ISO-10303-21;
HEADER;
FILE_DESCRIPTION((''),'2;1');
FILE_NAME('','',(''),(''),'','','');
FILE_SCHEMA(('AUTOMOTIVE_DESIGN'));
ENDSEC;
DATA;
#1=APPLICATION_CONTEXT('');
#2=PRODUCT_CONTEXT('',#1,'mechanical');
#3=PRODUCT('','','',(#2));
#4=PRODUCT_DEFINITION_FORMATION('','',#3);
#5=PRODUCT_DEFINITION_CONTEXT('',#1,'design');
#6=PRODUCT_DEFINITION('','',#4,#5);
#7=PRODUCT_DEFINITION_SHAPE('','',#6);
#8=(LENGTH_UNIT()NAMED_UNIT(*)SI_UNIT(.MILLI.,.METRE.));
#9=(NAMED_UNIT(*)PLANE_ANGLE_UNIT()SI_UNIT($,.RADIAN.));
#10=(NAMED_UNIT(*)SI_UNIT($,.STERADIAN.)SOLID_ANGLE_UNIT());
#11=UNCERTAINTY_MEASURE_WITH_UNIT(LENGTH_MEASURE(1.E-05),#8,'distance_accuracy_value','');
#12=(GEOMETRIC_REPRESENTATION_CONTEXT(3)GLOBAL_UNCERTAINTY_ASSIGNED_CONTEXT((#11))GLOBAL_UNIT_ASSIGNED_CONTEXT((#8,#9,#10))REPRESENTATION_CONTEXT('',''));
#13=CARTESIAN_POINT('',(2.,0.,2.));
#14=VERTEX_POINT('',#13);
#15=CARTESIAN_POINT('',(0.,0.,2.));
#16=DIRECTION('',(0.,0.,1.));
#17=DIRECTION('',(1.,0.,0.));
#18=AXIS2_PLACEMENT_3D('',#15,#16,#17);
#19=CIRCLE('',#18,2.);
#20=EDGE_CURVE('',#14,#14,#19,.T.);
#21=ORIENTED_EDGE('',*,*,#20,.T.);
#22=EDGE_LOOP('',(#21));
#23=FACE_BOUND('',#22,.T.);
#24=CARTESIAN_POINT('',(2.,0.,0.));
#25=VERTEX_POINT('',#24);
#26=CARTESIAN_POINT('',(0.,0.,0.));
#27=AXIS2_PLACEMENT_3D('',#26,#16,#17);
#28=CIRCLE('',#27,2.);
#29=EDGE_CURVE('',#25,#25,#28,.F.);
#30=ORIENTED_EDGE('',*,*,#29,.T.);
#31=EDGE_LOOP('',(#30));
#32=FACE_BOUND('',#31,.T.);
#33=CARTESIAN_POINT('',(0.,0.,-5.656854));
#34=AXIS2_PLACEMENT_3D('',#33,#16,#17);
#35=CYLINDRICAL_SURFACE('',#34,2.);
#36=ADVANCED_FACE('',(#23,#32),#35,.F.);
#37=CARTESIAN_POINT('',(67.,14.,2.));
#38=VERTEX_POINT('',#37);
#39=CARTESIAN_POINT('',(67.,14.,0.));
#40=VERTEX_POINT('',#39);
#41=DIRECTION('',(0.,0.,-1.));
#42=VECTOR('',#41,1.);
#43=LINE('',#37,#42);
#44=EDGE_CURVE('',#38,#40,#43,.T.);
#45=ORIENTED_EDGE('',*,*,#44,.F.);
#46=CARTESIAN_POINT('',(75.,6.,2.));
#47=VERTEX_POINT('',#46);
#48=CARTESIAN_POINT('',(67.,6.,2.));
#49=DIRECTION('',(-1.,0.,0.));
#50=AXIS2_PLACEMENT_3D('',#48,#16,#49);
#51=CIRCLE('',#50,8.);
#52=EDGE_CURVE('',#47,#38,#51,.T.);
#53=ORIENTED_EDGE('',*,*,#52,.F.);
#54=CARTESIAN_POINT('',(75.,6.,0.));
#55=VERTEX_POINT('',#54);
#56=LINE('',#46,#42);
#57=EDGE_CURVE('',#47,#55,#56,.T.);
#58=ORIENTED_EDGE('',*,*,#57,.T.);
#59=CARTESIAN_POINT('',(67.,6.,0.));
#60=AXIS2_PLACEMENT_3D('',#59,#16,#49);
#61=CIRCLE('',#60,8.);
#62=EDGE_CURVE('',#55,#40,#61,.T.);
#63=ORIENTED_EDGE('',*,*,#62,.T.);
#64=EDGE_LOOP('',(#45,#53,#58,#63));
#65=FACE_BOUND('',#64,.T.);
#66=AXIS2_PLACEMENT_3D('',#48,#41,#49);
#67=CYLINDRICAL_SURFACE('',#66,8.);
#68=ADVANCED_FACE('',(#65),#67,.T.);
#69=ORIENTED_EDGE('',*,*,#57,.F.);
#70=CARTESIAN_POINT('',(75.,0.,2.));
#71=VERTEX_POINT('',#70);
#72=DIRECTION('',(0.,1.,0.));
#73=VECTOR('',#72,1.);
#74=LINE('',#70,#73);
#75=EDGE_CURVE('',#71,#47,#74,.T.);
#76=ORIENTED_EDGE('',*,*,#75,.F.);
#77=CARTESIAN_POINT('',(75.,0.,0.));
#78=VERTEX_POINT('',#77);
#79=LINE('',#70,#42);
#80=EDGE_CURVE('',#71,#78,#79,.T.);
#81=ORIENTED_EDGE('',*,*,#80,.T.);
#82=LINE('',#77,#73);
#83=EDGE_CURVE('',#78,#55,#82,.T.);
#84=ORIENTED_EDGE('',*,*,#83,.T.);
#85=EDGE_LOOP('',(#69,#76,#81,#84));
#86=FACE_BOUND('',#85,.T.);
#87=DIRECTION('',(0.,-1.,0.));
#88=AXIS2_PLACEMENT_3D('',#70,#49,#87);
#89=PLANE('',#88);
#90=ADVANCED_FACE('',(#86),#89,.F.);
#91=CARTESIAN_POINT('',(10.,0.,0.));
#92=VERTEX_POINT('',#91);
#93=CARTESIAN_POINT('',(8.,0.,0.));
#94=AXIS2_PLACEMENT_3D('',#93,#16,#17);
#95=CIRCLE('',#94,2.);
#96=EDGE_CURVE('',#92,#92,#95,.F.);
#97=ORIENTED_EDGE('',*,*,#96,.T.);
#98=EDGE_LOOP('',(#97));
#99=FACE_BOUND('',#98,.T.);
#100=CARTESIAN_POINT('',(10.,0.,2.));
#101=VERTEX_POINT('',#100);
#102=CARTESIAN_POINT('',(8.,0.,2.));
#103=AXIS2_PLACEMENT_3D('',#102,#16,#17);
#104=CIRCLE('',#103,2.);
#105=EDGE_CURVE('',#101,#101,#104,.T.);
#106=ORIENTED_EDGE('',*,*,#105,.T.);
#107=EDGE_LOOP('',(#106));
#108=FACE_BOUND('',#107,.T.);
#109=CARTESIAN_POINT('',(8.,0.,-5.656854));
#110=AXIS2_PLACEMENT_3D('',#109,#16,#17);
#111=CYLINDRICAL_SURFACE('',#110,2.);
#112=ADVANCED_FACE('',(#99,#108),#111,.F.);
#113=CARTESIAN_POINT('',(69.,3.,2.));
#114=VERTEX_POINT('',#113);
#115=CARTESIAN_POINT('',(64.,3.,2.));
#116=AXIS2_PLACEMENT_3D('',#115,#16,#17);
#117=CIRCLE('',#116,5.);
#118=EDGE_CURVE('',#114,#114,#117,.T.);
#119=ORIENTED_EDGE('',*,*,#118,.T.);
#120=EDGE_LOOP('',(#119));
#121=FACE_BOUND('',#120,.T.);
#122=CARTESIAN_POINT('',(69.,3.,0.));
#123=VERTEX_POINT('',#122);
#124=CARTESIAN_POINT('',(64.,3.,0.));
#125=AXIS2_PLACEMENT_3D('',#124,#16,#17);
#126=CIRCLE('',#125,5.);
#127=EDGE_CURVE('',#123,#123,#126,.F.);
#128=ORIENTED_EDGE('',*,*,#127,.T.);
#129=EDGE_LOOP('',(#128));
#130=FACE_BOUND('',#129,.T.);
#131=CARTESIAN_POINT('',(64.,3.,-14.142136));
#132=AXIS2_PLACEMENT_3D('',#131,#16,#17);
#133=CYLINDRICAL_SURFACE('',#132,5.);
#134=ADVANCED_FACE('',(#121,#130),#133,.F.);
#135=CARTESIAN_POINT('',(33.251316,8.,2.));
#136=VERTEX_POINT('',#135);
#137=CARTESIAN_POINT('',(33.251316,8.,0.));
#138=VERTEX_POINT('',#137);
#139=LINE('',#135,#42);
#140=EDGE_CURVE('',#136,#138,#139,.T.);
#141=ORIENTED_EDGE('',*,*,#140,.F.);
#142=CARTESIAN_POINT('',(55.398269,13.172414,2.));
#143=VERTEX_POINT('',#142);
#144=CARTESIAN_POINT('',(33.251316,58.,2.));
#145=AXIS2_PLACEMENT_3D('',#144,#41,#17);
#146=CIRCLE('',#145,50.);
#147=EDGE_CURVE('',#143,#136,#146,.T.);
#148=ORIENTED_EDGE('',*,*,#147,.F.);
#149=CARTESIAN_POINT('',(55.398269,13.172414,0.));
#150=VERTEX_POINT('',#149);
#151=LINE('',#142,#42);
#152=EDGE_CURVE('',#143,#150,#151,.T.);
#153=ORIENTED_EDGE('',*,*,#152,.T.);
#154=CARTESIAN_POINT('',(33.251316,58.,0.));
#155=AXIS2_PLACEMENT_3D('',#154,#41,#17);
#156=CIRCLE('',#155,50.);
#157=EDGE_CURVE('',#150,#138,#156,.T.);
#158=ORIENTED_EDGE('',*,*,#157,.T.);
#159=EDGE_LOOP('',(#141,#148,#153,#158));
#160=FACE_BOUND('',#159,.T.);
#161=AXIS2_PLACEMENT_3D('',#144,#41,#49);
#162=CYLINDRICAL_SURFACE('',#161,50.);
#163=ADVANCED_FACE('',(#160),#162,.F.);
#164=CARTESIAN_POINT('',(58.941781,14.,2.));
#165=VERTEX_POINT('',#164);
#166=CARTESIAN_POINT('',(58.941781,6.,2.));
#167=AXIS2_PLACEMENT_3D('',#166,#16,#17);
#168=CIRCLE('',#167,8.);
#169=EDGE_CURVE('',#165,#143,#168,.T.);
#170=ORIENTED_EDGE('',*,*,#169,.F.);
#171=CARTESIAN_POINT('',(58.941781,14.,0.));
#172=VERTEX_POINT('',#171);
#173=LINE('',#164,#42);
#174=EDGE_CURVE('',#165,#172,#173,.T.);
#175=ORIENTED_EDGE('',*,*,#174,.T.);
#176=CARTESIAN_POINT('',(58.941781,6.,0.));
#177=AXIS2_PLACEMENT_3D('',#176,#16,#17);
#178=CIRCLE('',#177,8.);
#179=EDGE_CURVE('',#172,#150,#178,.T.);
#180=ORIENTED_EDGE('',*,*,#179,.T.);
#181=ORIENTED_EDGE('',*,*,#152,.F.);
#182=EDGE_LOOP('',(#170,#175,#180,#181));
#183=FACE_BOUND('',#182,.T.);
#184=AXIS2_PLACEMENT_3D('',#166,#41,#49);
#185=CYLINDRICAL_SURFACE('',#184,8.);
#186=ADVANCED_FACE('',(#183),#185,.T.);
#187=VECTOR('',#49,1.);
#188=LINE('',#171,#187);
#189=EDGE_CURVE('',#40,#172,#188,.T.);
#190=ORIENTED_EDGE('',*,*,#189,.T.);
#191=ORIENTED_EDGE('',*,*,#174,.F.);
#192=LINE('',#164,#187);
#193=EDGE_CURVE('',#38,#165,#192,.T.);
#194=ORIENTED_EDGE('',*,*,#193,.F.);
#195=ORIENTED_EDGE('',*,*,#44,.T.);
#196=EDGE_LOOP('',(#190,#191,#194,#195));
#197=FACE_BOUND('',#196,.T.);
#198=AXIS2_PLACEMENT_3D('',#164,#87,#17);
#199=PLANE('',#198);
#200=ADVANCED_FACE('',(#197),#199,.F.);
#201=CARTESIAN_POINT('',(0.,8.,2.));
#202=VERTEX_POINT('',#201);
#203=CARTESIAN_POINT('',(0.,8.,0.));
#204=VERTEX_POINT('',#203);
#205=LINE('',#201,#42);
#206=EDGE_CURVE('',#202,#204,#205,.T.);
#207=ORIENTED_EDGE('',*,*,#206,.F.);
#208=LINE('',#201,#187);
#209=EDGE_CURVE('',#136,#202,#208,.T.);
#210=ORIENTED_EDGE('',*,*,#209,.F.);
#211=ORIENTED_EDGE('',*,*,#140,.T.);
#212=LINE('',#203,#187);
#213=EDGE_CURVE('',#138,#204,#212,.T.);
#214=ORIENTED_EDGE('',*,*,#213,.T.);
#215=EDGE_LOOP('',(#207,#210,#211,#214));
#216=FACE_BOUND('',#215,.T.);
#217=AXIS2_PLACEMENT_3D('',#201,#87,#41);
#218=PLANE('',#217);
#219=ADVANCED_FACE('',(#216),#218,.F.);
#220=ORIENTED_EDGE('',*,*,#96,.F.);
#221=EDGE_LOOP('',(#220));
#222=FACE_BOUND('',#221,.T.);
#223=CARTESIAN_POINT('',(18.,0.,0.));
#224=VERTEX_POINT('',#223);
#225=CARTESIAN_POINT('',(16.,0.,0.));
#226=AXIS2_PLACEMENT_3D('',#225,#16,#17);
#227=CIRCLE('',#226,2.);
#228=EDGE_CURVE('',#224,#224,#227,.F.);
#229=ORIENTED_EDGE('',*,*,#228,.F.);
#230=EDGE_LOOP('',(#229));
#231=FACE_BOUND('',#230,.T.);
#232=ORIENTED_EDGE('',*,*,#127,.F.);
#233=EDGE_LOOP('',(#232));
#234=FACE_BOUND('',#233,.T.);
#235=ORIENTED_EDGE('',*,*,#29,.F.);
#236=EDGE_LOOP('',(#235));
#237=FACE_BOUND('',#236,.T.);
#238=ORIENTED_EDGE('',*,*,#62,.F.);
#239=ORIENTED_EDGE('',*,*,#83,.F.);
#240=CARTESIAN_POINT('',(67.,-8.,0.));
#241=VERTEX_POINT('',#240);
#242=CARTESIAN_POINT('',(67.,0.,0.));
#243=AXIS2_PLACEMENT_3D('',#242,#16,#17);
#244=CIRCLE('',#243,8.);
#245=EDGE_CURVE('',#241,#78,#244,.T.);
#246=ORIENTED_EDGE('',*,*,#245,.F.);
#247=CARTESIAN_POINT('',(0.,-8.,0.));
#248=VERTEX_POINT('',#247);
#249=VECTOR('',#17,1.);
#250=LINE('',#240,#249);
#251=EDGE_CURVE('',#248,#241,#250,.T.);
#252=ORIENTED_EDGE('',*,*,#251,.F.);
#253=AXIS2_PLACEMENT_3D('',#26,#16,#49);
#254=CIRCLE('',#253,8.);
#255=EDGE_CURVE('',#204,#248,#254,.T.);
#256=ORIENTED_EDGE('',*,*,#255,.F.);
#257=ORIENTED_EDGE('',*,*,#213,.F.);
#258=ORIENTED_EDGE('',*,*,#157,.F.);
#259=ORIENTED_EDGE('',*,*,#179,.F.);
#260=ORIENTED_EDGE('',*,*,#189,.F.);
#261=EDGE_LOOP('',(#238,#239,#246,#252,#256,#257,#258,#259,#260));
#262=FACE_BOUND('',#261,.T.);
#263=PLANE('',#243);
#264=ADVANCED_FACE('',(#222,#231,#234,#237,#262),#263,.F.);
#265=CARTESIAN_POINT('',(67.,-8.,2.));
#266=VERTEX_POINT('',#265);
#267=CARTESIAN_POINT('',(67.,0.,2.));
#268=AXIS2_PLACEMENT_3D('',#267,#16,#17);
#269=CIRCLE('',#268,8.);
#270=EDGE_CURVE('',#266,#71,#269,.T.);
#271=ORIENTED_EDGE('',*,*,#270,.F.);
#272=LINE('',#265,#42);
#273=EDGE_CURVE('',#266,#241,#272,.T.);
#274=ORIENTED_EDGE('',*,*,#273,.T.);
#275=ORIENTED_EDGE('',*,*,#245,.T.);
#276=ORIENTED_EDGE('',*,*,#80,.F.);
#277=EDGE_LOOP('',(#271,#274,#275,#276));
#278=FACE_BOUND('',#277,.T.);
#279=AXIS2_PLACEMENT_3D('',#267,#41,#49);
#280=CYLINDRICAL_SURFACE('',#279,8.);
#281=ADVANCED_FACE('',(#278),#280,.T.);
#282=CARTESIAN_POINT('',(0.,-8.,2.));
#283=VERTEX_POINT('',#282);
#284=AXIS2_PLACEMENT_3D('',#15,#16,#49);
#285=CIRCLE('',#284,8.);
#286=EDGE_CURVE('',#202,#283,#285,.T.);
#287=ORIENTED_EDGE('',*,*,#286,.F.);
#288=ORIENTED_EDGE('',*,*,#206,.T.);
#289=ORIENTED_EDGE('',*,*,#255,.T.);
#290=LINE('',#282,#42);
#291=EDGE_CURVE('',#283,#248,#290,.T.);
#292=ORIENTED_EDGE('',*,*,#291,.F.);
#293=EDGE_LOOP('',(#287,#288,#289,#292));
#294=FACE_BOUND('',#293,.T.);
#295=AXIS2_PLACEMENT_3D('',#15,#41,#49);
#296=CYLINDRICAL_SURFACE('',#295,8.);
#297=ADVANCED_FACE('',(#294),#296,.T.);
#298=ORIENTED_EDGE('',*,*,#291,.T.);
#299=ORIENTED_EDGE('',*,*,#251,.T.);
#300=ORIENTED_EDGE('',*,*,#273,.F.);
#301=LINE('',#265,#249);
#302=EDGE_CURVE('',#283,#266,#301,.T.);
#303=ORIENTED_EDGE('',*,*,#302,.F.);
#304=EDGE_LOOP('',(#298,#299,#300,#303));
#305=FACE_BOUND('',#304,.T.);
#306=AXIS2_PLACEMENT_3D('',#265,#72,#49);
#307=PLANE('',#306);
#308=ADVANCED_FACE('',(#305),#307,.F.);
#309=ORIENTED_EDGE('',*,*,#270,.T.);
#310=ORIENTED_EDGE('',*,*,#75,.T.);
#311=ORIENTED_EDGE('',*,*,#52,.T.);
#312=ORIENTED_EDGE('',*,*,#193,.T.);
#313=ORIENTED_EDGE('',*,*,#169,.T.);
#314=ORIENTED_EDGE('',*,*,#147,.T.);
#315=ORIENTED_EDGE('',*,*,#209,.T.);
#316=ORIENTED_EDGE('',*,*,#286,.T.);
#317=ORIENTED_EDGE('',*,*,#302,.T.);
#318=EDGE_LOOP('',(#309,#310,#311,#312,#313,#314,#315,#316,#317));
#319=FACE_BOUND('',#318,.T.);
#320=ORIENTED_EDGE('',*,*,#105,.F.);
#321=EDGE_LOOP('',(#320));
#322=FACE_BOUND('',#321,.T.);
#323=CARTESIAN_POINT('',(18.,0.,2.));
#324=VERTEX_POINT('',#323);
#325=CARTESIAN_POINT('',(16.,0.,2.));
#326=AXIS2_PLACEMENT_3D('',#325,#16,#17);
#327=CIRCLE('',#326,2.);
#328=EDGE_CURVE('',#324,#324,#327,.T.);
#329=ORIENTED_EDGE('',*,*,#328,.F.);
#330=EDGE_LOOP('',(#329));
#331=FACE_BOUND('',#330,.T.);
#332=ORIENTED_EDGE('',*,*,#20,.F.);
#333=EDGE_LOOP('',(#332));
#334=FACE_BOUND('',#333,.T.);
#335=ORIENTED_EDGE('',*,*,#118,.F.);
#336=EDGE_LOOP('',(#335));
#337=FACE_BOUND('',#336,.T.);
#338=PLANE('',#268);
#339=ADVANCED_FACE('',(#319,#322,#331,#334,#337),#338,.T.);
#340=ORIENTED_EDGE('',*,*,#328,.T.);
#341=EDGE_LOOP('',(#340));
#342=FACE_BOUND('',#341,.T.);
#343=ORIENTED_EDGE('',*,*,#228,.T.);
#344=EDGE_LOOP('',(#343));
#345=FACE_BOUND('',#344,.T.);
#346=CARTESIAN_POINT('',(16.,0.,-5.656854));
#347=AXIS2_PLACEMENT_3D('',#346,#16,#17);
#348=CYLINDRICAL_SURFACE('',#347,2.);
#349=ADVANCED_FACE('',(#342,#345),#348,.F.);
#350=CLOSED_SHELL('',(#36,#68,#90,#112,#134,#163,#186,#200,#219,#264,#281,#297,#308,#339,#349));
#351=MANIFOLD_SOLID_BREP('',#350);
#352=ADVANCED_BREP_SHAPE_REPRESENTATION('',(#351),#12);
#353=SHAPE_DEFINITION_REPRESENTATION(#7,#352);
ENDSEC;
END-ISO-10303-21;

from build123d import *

# Parameters (mm, degrees)
BOSS_EXTRUDE1_DEPTH = 2
SKETCH2_R           = 2
CUT_EXTRUDE1_DEPTH  = 2
SKETCH3_R           = 5
CUT_EXTRUDE2_DEPTH  = 2


with BuildPart() as part:
    # Sketch1 → Boss-Extrude1 (new body)
    with BuildSketch(Plane.XY):
        with BuildLine():
            Line((0, 8), (33.251315826, 8))
            ThreePointArc((33.251315826, 8), (44.62278648, 9.310271564), (55.398268548, 13.172413793))
            ThreePointArc((55.398268548, 13.172413793), (57.122345679, 13.79035655), (58.941780983, 14))
            Line((58.941780983, 14), (67, 14))
            ThreePointArc((67, 14), (72.656854249, 11.656854249), (75, 6))
            Line((75, 6), (75, 0))
            ThreePointArc((75, 0), (72.656854249, -5.656854249), (67, -8))
            Line((67, -8), (0, -8))
            ThreePointArc((0, -8), (-8, 0), (0, 8))
        make_face()
    extrude(amount=BOSS_EXTRUDE1_DEPTH)

    # Sketch2 → Cut-Extrude1 (cut)
    with BuildSketch(Plane.XY.offset(2)):
        Circle(SKETCH2_R)
        with Locations((8, 0)):
            Circle(SKETCH2_R)
        with Locations((16, 0)):
            Circle(SKETCH2_R)
    extrude(amount=-CUT_EXTRUDE1_DEPTH, mode=Mode.SUBTRACT)

    # Sketch3 → Cut-Extrude2 (cut)
    with BuildSketch(Plane.XY.offset(2)):
        with Locations((64, 3)):
            Circle(SKETCH3_R)
    extrude(amount=-CUT_EXTRUDE2_DEPTH, mode=Mode.SUBTRACT)


solid = part.part
